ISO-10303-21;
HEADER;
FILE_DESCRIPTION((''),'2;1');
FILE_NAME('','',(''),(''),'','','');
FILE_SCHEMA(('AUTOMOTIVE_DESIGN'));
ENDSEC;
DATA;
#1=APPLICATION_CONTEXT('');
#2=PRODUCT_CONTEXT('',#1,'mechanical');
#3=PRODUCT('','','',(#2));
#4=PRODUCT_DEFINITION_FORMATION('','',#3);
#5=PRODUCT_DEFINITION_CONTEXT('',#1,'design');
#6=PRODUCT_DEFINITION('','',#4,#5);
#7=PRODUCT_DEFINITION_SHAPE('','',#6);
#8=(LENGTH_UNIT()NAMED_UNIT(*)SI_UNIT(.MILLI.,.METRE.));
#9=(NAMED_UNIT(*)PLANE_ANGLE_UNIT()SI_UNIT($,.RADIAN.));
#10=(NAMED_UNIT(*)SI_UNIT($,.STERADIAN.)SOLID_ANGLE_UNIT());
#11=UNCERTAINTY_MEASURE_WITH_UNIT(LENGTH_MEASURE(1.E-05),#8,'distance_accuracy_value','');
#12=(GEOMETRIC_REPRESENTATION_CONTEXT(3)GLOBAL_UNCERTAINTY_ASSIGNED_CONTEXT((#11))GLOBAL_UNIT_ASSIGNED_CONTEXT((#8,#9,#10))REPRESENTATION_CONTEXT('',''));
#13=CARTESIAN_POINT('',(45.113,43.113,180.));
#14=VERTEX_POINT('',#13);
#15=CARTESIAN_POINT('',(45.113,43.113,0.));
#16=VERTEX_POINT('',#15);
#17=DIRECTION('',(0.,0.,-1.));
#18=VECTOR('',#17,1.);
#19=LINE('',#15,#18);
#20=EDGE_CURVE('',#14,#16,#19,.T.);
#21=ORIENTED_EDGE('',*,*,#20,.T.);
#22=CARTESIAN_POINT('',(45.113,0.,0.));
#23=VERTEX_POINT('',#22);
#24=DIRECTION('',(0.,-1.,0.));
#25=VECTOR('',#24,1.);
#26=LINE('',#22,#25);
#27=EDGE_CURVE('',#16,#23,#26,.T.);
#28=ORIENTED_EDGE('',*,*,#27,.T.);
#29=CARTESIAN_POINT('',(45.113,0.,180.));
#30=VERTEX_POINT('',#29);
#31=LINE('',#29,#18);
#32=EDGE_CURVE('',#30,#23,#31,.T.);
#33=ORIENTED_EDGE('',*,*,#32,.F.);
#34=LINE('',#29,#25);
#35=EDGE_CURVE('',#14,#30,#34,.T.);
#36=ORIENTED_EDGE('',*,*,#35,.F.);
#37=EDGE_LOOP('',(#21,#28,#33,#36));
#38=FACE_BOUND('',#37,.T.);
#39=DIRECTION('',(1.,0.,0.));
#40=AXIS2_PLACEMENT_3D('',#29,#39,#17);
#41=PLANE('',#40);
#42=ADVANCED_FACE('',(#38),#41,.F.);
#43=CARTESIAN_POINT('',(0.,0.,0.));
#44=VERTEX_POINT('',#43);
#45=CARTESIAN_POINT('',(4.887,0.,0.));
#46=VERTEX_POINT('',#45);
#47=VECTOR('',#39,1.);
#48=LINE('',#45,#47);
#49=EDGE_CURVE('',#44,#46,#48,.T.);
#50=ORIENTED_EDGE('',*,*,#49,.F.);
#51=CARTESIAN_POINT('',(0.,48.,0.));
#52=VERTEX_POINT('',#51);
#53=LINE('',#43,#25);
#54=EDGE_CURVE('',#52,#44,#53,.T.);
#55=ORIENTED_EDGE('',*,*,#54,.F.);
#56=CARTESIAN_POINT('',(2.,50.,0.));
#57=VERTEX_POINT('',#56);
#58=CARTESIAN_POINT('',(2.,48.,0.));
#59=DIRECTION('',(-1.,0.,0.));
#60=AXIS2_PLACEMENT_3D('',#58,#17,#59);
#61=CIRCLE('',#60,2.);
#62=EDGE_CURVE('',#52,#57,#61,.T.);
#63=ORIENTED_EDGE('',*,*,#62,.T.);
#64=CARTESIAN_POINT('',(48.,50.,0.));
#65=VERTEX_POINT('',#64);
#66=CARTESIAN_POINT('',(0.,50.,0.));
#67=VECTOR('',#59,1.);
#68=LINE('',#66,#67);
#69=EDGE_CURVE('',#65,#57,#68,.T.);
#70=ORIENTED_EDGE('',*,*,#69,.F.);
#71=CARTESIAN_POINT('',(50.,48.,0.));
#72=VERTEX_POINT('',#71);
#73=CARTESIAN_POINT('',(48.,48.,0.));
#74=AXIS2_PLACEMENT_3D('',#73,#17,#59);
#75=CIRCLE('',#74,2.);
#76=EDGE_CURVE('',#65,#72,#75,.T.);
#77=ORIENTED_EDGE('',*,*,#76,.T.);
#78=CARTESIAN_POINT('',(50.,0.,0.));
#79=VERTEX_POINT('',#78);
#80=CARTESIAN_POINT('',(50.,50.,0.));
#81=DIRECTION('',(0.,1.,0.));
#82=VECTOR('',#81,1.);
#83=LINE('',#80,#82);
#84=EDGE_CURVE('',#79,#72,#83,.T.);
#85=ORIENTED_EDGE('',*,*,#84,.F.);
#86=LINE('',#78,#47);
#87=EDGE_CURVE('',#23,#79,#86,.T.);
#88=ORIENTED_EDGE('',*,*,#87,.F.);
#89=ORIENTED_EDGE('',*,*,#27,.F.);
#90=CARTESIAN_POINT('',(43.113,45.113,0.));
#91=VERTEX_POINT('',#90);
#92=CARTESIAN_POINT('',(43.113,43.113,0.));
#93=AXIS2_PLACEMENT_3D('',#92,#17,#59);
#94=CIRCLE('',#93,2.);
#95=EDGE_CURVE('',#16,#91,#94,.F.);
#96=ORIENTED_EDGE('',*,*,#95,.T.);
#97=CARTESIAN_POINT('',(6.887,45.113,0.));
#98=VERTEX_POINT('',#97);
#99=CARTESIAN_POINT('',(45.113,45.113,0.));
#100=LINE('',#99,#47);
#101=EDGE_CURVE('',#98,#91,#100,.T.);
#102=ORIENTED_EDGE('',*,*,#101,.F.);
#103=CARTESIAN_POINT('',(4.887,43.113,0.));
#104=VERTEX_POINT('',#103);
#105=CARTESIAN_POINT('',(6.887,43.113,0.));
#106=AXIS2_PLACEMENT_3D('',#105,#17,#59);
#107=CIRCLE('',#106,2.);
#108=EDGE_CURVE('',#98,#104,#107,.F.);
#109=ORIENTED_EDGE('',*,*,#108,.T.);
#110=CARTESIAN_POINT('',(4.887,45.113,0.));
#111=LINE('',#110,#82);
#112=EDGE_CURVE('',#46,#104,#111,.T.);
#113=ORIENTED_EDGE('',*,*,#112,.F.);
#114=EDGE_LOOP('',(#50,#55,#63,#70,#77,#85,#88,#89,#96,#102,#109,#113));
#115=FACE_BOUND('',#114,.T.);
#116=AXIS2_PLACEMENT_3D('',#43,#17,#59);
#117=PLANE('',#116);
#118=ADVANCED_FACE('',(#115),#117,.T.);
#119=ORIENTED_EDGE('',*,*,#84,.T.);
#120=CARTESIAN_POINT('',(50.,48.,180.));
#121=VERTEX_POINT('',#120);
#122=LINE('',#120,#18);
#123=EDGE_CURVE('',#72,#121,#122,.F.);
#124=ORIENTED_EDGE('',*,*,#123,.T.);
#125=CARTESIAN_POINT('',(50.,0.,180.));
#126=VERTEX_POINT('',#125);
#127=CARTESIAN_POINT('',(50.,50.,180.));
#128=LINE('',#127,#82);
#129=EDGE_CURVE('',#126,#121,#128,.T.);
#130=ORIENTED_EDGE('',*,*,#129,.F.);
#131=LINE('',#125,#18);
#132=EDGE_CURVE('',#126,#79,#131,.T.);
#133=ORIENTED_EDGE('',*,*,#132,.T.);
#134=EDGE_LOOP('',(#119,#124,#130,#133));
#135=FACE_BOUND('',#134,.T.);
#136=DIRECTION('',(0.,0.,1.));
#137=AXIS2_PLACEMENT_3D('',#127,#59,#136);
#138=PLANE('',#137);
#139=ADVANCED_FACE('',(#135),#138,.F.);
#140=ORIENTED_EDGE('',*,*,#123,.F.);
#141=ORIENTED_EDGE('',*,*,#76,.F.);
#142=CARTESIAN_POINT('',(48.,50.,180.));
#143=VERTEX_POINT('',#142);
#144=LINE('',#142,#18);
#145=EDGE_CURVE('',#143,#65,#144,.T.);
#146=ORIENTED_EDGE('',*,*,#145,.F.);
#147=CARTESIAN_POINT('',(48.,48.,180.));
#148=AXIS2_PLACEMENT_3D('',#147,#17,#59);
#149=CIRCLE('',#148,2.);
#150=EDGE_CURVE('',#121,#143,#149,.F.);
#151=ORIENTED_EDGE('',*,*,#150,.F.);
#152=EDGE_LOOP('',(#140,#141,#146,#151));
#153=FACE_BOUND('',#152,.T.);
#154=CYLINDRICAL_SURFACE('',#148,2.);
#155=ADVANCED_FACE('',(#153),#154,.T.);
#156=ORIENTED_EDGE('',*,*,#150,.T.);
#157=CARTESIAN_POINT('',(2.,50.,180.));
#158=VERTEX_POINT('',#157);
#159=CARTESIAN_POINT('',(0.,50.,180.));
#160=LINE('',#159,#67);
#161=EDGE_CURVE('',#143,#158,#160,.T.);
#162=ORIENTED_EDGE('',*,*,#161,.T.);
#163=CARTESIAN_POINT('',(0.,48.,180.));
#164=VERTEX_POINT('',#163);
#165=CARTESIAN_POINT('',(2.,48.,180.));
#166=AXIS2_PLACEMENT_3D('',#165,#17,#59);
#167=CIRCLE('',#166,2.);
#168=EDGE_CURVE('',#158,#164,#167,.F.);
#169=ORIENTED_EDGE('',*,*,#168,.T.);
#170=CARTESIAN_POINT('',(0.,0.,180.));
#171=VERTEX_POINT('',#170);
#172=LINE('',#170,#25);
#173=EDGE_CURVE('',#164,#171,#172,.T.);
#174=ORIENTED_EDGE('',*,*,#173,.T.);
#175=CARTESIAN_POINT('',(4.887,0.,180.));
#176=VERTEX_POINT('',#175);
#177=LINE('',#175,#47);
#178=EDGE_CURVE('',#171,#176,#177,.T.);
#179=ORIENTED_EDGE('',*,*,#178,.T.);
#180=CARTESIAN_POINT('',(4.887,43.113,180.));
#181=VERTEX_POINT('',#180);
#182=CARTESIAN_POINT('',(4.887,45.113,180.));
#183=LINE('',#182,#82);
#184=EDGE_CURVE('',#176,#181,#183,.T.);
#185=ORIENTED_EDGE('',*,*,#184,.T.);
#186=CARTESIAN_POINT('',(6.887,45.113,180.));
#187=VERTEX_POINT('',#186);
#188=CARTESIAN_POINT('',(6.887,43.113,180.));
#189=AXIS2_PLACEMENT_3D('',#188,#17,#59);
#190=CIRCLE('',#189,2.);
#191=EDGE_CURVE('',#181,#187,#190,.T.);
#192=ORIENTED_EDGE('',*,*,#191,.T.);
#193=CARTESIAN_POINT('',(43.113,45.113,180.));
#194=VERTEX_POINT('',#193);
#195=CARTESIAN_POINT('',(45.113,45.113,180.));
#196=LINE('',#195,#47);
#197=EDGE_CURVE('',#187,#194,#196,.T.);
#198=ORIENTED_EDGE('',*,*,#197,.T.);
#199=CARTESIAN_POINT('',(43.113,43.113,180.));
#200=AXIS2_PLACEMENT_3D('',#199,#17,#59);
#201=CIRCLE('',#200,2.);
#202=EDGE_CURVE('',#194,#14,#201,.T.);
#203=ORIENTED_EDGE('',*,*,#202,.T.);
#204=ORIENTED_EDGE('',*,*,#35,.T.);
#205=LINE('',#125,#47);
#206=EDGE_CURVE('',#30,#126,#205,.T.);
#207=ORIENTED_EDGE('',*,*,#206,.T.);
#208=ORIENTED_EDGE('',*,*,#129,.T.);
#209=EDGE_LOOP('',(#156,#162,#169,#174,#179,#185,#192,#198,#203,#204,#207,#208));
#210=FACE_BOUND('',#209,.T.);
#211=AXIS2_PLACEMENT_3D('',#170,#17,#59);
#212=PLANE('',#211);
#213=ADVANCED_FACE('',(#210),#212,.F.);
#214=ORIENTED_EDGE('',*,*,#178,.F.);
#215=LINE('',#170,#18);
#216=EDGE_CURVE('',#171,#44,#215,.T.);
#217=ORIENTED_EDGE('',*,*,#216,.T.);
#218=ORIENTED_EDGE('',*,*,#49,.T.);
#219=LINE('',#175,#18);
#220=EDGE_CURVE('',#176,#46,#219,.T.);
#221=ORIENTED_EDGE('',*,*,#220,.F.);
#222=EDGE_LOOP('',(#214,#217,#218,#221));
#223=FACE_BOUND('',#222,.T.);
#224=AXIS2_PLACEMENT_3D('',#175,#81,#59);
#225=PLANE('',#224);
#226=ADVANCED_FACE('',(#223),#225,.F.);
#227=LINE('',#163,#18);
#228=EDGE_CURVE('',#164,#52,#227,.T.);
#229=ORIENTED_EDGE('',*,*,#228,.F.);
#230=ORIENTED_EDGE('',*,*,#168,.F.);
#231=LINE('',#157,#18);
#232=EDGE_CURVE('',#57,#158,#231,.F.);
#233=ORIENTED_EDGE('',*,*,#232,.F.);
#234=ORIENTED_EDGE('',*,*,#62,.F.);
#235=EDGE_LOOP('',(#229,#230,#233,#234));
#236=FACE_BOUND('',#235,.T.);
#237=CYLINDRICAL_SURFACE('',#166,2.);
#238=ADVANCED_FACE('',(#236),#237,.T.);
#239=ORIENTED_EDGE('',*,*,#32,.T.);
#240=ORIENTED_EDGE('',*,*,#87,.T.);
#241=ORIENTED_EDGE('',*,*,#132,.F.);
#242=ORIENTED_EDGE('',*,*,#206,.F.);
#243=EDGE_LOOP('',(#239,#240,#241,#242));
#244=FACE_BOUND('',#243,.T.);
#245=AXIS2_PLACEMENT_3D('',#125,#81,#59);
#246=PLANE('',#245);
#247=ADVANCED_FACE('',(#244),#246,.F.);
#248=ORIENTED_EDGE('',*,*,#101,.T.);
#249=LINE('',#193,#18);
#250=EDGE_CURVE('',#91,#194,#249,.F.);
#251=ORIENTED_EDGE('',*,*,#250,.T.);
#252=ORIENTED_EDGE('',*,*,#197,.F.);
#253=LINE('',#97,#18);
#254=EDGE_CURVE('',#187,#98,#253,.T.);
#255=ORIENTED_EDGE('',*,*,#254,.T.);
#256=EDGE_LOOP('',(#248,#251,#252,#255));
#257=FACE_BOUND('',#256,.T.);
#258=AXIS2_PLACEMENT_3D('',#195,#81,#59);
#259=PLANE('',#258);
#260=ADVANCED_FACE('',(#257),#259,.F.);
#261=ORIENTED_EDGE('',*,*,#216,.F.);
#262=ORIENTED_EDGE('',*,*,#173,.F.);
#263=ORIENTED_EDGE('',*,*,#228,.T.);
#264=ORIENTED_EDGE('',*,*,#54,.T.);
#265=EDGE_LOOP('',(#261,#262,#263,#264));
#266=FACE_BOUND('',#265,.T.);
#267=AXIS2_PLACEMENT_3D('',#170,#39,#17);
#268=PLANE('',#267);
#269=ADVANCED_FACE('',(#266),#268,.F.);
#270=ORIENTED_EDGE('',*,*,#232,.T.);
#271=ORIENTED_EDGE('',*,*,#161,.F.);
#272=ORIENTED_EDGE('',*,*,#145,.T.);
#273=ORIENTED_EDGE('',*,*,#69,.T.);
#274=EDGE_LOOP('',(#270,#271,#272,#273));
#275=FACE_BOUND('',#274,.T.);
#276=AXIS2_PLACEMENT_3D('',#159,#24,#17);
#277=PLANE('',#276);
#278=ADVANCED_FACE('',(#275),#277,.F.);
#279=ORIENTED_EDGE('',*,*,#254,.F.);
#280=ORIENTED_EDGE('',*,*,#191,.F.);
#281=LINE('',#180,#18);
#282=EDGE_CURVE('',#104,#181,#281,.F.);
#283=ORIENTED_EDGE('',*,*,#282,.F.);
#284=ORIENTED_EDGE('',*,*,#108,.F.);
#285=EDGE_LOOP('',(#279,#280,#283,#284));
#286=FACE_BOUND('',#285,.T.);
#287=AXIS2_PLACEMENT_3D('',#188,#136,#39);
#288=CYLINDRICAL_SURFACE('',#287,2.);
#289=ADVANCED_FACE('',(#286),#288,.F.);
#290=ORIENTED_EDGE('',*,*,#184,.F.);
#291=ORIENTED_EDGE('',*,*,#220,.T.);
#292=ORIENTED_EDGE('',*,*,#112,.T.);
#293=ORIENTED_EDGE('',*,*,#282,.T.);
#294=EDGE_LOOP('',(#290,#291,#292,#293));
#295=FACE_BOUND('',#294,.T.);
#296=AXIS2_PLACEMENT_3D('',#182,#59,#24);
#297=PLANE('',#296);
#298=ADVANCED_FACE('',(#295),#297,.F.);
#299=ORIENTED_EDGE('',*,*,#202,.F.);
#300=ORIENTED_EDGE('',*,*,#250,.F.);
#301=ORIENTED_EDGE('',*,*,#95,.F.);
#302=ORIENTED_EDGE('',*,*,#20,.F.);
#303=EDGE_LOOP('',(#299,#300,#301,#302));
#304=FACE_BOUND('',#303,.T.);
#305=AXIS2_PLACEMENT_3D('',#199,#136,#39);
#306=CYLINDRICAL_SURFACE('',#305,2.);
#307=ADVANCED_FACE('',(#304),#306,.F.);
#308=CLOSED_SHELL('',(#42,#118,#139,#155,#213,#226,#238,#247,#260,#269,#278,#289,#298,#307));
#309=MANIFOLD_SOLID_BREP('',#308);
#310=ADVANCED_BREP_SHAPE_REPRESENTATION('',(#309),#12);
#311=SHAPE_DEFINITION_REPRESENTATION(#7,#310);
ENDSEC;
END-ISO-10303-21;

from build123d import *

# Parameters (mm, degrees)
BOSS_EXTRUDE1_DEPTH = 180
FILLET1_R           = 2


with BuildPart() as part:
    # Sketch1 → Boss-Extrude1 (new body)
    with BuildSketch(Plane.XY):
        Polygon((0, 0), (0, 50), (50, 50), (50, 0), (45.113, 0), (45.113, 45.113), (4.887, 45.113), (4.887, 0), align=None)
    extrude(amount=BOSS_EXTRUDE1_DEPTH)

    # Fillet1
    fillet1_edges = [part.edges().sort_by_distance(p)[0] for p in [
        (0, 50, 90),
        (50, 50, 90),
        (45.113, 45.113, 90),
        (4.887, 45.113, 90),
    ]]
    fillet(fillet1_edges, radius=FILLET1_R)


solid = part.part
